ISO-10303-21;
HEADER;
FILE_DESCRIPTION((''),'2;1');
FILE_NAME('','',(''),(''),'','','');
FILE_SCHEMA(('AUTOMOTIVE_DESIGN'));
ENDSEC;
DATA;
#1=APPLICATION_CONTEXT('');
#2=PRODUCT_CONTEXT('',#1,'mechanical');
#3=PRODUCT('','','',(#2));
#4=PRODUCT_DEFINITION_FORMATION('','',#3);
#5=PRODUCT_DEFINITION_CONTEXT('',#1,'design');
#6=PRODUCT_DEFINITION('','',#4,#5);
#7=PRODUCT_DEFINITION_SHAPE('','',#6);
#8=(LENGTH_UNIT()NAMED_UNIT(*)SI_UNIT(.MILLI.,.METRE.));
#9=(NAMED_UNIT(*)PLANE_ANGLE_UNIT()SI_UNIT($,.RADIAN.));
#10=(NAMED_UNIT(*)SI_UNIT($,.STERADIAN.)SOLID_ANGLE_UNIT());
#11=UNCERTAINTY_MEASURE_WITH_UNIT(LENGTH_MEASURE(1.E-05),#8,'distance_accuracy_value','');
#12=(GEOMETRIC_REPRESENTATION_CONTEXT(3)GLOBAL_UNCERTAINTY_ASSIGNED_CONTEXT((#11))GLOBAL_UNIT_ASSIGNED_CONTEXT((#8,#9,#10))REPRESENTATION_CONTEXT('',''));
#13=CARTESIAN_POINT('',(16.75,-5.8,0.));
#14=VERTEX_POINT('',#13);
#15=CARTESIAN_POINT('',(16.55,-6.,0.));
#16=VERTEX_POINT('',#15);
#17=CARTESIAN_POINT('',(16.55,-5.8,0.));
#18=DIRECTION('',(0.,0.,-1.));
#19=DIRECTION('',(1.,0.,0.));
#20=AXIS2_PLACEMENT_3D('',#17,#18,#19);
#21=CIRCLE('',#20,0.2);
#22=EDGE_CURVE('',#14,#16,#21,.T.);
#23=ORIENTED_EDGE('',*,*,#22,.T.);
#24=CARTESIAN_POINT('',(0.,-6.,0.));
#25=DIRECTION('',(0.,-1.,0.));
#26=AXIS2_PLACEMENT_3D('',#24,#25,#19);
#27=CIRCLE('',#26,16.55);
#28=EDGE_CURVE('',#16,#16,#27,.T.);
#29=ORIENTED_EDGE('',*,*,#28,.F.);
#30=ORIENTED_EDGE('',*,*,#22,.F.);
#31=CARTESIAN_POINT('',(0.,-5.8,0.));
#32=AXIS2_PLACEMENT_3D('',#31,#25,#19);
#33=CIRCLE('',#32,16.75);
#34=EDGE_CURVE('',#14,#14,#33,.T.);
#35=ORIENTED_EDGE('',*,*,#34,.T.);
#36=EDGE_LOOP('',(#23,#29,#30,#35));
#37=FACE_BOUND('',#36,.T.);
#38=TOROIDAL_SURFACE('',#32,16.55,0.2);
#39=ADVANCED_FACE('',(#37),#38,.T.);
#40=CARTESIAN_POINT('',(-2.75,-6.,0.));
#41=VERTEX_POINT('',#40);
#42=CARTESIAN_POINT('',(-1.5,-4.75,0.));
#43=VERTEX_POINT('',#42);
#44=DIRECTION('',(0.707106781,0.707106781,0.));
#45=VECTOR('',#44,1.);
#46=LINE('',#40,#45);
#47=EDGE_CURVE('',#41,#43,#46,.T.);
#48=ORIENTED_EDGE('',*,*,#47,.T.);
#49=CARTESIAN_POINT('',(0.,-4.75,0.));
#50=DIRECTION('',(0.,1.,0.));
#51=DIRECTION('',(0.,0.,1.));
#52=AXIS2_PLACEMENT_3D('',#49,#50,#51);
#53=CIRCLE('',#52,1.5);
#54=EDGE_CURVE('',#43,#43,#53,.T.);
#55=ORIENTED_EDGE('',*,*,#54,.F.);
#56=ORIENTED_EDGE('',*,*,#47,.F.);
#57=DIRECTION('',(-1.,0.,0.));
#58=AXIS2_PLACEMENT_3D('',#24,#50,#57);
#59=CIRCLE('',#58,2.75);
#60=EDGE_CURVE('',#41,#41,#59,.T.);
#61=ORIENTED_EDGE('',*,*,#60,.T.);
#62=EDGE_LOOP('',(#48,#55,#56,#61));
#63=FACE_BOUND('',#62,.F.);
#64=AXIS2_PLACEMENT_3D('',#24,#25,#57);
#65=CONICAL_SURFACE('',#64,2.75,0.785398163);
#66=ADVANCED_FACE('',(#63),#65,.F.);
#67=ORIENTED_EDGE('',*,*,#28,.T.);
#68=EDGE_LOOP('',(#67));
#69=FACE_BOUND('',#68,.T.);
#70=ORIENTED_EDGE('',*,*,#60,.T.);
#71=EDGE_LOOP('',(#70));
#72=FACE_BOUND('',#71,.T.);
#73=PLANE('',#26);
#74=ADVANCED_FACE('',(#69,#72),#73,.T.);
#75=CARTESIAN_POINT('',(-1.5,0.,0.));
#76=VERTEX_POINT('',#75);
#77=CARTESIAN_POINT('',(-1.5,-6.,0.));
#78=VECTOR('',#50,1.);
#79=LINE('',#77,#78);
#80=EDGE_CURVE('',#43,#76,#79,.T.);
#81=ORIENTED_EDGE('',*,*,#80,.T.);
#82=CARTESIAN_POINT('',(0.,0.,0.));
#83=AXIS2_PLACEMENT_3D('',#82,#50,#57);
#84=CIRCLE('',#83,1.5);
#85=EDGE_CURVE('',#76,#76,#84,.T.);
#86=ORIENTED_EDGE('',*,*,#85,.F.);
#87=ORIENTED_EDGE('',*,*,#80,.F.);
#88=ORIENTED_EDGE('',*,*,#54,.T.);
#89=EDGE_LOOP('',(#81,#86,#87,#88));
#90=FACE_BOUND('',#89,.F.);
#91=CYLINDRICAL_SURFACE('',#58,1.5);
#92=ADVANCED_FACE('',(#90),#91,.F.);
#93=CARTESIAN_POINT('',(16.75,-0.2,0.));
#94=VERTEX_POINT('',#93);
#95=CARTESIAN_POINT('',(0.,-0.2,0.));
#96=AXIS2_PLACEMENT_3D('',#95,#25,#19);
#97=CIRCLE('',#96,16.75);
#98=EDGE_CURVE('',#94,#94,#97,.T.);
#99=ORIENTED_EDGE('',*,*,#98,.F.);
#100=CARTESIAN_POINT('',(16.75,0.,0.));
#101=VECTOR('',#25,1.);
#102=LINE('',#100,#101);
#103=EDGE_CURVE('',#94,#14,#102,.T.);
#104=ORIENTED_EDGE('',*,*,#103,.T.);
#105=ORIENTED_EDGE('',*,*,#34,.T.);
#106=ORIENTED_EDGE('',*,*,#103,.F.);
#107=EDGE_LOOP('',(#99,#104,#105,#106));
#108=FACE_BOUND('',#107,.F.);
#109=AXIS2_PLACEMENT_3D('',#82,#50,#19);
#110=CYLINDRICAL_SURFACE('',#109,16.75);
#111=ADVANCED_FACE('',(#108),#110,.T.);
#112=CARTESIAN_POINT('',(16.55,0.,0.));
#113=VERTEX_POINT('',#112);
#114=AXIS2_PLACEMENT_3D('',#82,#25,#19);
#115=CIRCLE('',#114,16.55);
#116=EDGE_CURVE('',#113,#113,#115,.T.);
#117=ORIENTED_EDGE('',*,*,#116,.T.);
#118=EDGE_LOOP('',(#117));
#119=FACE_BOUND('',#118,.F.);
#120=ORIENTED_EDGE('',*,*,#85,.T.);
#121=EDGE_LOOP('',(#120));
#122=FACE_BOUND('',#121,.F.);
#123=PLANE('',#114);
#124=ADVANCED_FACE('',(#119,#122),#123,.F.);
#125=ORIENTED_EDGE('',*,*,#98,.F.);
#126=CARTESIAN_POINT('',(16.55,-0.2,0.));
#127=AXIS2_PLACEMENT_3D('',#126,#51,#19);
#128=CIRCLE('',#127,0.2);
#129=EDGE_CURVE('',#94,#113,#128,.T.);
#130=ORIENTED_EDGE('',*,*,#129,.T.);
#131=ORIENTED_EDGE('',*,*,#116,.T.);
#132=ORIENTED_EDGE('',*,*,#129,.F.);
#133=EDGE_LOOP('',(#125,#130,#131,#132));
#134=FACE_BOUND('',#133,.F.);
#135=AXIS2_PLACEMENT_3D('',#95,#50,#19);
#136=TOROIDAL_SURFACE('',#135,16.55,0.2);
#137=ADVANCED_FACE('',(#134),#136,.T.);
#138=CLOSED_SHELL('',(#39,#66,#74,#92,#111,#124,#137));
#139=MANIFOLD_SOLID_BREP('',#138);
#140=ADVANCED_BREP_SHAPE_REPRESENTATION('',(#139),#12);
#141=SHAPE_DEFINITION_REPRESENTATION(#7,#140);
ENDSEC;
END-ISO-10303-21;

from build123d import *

# Parameters (mm, degrees)
F0_R           = 16.75
F1_DEPTH       = 6
F3_D           = 3
F3_CSINK_D     = 5.5
F3_CSINK_ANGLE = 90
F4_R           = 0.2


with BuildPart() as f1:
    # F0 (on Front) → F1 (new body)
    with BuildSketch(Plane.XZ):
        Circle(F0_R)
    extrude(amount=F1_DEPTH)

    # F3 (through all)
    with Locations(Plane.XZ.offset(6)):
        with Locations((0, 0)):
            CounterSinkHole(F3_D / 2, F3_CSINK_D / 2, counter_sink_angle=F3_CSINK_ANGLE)

    # F4
    f4_edges = [f1.edges().sort_by_distance(p)[0] for p in [
        (-16.75, -6, 0),
        (-16.75, 0, 0),
    ]]
    fillet(f4_edges, radius=F4_R)


solid = f1.part
